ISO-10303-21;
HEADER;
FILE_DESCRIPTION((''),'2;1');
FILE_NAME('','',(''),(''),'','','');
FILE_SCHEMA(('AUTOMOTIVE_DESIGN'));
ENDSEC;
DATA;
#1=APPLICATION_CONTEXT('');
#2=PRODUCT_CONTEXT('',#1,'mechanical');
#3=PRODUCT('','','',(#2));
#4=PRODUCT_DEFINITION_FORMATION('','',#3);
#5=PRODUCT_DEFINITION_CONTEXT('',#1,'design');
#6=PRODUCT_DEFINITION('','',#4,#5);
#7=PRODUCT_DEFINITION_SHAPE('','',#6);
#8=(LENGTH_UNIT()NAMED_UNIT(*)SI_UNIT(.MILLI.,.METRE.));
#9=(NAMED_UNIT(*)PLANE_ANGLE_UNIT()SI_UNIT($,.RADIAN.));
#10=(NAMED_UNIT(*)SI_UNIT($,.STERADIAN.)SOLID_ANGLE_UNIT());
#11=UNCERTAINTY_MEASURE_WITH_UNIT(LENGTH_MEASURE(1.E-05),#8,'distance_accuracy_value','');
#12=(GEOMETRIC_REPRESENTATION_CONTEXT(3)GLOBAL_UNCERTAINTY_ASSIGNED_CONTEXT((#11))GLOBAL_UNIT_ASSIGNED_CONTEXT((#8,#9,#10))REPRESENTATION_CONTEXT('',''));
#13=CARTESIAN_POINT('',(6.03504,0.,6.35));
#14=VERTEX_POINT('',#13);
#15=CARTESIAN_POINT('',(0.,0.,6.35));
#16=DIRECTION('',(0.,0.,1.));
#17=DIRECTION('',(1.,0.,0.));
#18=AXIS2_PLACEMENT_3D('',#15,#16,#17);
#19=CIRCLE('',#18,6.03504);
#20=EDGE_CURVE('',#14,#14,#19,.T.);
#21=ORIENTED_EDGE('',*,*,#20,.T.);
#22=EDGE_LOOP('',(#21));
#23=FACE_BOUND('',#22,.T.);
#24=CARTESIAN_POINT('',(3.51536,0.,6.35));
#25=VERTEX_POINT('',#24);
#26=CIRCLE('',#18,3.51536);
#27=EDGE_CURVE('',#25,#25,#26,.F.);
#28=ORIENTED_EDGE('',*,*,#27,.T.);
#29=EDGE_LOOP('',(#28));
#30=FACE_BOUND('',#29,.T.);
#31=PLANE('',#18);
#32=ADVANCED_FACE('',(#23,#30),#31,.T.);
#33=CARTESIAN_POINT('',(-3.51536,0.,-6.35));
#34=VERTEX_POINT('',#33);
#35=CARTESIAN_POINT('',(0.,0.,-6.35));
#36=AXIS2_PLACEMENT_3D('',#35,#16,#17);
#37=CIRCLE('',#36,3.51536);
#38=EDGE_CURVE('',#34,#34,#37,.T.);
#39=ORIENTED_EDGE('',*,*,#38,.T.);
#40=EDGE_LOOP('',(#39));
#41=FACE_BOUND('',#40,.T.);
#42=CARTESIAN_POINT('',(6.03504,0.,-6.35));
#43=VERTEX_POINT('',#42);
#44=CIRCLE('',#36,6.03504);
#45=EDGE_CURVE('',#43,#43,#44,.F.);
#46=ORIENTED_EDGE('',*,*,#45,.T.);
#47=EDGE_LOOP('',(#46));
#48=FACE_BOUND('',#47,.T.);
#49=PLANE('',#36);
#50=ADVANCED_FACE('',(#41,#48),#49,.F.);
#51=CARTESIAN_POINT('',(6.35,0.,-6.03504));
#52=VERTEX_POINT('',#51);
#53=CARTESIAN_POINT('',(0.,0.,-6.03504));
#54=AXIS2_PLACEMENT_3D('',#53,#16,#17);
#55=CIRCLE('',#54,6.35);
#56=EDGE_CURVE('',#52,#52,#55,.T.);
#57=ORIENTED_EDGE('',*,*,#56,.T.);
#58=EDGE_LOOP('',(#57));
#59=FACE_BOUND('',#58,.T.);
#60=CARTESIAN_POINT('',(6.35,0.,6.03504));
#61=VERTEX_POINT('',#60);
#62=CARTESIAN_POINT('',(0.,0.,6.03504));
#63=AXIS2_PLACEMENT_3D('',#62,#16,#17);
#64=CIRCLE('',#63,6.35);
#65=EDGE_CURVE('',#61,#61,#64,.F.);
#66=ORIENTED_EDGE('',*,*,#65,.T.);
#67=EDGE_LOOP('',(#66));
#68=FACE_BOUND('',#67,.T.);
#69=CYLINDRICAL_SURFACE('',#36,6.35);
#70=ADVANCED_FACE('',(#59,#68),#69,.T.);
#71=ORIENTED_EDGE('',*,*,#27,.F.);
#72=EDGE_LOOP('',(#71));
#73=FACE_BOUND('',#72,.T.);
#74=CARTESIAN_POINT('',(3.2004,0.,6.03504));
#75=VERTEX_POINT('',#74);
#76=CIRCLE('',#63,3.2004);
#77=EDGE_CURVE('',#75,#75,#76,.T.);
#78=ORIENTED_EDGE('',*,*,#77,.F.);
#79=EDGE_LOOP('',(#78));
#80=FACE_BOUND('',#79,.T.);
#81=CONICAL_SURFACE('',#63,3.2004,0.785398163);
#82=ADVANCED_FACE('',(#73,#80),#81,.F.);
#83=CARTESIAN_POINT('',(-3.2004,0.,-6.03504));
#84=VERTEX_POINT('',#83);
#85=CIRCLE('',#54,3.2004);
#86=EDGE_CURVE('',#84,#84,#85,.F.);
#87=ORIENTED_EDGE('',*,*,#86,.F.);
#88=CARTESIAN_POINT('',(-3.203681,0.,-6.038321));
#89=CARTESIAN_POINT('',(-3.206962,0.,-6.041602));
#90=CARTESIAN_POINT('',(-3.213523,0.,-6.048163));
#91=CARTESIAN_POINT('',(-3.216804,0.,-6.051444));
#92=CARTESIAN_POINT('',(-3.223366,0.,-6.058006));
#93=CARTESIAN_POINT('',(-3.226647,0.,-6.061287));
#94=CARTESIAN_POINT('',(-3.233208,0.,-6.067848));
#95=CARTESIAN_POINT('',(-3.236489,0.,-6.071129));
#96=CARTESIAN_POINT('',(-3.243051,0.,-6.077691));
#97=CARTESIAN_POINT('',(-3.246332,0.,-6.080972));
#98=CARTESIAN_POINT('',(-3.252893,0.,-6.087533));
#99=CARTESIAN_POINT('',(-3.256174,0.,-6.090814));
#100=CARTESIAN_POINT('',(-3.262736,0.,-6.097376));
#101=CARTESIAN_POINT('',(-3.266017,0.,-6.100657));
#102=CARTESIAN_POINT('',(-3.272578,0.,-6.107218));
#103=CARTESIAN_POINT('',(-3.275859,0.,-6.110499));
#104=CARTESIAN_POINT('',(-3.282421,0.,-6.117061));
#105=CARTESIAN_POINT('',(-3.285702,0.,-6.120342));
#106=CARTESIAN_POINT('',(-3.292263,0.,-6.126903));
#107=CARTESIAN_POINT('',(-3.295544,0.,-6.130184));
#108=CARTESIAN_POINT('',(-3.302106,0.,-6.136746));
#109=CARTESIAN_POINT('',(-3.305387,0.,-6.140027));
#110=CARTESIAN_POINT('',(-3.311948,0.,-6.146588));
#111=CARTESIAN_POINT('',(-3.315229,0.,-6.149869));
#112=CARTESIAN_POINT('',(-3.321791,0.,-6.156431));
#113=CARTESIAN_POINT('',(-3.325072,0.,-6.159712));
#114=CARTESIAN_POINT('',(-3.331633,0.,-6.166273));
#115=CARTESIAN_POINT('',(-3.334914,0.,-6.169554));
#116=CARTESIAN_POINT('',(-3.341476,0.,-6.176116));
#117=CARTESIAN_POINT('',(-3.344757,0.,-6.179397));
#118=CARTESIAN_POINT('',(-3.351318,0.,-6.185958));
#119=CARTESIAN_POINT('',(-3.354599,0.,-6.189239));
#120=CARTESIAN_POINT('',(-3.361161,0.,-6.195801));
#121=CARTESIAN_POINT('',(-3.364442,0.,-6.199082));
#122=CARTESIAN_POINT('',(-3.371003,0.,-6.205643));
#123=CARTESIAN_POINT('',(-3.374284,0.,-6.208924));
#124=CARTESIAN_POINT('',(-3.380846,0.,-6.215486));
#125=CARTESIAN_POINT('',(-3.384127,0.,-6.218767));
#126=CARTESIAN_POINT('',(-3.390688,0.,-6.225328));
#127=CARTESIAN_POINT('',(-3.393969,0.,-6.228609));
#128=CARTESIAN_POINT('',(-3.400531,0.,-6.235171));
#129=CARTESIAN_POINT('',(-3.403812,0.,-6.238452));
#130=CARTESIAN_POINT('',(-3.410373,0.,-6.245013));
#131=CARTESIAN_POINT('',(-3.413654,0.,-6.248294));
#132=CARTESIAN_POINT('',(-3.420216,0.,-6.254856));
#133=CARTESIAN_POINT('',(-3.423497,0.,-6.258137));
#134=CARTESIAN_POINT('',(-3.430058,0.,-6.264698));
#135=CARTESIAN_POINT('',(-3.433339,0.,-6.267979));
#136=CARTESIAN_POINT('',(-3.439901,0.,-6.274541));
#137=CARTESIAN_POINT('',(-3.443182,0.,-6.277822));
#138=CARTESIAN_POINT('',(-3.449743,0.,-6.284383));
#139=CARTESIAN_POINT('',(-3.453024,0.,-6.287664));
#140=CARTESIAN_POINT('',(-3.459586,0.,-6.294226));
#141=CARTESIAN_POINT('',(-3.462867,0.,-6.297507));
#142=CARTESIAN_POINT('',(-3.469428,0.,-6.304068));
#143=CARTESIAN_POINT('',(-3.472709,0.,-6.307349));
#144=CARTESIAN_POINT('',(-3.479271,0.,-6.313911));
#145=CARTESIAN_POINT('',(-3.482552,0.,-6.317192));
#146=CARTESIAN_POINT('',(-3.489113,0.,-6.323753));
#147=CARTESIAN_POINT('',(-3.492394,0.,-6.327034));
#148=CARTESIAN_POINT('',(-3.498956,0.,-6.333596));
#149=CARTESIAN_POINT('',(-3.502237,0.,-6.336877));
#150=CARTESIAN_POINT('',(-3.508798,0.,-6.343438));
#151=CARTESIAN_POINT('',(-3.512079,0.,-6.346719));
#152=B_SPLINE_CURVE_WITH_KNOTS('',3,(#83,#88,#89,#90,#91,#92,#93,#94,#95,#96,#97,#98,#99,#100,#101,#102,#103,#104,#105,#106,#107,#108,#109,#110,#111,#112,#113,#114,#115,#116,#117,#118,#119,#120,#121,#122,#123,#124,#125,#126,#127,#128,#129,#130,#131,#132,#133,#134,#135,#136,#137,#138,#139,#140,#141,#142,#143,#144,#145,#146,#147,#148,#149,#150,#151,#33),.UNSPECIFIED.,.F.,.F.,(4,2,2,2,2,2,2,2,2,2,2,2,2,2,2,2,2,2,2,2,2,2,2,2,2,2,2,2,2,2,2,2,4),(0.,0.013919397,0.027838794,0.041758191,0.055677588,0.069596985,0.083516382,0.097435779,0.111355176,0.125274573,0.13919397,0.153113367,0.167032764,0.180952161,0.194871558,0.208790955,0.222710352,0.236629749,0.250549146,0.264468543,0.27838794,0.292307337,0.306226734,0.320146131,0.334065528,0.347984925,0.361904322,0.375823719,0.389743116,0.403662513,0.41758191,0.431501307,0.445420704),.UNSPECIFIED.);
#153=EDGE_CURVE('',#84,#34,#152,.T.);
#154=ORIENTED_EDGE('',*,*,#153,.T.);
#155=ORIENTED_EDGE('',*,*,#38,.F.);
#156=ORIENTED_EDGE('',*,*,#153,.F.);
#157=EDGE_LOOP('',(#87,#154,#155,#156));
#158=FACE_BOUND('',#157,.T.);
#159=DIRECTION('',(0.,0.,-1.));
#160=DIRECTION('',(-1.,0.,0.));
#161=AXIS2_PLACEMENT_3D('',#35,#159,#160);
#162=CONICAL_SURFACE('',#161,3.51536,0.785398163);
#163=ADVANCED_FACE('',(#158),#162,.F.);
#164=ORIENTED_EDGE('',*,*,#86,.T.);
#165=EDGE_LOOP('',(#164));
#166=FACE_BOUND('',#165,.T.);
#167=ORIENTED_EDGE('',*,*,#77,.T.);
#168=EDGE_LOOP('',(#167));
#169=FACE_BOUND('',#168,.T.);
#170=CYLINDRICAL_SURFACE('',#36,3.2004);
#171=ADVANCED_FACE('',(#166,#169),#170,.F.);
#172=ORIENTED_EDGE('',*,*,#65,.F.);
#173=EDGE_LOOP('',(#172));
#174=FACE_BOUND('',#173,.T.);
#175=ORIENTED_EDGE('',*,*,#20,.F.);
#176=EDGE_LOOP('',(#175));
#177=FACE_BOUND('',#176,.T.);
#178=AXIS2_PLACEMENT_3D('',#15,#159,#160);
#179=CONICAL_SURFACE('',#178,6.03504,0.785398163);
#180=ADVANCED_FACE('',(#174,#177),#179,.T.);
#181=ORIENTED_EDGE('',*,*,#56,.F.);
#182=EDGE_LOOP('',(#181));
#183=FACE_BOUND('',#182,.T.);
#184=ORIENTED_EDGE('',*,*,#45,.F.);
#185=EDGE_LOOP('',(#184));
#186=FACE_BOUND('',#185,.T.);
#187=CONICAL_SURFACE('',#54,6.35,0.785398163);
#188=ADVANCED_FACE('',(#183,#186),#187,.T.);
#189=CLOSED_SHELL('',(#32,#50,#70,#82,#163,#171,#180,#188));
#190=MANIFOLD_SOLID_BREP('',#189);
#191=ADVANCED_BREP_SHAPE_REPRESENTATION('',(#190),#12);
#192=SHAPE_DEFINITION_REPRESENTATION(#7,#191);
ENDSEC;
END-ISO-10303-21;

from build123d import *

# Parameters (mm, degrees)
BOSS_EXTRUDE1_DEPTH      = 6.35
BOSS_EXTRUDE1_DEPTH_BACK = 6.35
SKETCH3_R                = 6.35
SKETCH3_R_2              = 3.2004
CHAMFER1_SIZE            = 0.31496


with BuildPart() as part:
    # Sketch3 → Boss-Extrude1 (new, two sides: drawn at the far end of the back side and taken through both)
    with BuildSketch(Plane.XY.offset(-BOSS_EXTRUDE1_DEPTH_BACK)):
        Circle(SKETCH3_R)
        Circle(SKETCH3_R_2, mode=Mode.SUBTRACT)
    extrude(amount=BOSS_EXTRUDE1_DEPTH + BOSS_EXTRUDE1_DEPTH_BACK)

    # Chamfer1
    chamfer1_edges = [part.edges().sort_by_distance(p)[0] for p in [
        (-6.35, 0, -6.35),
        (-3.2004, 0, -6.35),
        (-6.35, 0, 6.35),
        (-3.2004, 0, 6.35),
    ]]
    chamfer(chamfer1_edges, length=CHAMFER1_SIZE)


solid = part.part
